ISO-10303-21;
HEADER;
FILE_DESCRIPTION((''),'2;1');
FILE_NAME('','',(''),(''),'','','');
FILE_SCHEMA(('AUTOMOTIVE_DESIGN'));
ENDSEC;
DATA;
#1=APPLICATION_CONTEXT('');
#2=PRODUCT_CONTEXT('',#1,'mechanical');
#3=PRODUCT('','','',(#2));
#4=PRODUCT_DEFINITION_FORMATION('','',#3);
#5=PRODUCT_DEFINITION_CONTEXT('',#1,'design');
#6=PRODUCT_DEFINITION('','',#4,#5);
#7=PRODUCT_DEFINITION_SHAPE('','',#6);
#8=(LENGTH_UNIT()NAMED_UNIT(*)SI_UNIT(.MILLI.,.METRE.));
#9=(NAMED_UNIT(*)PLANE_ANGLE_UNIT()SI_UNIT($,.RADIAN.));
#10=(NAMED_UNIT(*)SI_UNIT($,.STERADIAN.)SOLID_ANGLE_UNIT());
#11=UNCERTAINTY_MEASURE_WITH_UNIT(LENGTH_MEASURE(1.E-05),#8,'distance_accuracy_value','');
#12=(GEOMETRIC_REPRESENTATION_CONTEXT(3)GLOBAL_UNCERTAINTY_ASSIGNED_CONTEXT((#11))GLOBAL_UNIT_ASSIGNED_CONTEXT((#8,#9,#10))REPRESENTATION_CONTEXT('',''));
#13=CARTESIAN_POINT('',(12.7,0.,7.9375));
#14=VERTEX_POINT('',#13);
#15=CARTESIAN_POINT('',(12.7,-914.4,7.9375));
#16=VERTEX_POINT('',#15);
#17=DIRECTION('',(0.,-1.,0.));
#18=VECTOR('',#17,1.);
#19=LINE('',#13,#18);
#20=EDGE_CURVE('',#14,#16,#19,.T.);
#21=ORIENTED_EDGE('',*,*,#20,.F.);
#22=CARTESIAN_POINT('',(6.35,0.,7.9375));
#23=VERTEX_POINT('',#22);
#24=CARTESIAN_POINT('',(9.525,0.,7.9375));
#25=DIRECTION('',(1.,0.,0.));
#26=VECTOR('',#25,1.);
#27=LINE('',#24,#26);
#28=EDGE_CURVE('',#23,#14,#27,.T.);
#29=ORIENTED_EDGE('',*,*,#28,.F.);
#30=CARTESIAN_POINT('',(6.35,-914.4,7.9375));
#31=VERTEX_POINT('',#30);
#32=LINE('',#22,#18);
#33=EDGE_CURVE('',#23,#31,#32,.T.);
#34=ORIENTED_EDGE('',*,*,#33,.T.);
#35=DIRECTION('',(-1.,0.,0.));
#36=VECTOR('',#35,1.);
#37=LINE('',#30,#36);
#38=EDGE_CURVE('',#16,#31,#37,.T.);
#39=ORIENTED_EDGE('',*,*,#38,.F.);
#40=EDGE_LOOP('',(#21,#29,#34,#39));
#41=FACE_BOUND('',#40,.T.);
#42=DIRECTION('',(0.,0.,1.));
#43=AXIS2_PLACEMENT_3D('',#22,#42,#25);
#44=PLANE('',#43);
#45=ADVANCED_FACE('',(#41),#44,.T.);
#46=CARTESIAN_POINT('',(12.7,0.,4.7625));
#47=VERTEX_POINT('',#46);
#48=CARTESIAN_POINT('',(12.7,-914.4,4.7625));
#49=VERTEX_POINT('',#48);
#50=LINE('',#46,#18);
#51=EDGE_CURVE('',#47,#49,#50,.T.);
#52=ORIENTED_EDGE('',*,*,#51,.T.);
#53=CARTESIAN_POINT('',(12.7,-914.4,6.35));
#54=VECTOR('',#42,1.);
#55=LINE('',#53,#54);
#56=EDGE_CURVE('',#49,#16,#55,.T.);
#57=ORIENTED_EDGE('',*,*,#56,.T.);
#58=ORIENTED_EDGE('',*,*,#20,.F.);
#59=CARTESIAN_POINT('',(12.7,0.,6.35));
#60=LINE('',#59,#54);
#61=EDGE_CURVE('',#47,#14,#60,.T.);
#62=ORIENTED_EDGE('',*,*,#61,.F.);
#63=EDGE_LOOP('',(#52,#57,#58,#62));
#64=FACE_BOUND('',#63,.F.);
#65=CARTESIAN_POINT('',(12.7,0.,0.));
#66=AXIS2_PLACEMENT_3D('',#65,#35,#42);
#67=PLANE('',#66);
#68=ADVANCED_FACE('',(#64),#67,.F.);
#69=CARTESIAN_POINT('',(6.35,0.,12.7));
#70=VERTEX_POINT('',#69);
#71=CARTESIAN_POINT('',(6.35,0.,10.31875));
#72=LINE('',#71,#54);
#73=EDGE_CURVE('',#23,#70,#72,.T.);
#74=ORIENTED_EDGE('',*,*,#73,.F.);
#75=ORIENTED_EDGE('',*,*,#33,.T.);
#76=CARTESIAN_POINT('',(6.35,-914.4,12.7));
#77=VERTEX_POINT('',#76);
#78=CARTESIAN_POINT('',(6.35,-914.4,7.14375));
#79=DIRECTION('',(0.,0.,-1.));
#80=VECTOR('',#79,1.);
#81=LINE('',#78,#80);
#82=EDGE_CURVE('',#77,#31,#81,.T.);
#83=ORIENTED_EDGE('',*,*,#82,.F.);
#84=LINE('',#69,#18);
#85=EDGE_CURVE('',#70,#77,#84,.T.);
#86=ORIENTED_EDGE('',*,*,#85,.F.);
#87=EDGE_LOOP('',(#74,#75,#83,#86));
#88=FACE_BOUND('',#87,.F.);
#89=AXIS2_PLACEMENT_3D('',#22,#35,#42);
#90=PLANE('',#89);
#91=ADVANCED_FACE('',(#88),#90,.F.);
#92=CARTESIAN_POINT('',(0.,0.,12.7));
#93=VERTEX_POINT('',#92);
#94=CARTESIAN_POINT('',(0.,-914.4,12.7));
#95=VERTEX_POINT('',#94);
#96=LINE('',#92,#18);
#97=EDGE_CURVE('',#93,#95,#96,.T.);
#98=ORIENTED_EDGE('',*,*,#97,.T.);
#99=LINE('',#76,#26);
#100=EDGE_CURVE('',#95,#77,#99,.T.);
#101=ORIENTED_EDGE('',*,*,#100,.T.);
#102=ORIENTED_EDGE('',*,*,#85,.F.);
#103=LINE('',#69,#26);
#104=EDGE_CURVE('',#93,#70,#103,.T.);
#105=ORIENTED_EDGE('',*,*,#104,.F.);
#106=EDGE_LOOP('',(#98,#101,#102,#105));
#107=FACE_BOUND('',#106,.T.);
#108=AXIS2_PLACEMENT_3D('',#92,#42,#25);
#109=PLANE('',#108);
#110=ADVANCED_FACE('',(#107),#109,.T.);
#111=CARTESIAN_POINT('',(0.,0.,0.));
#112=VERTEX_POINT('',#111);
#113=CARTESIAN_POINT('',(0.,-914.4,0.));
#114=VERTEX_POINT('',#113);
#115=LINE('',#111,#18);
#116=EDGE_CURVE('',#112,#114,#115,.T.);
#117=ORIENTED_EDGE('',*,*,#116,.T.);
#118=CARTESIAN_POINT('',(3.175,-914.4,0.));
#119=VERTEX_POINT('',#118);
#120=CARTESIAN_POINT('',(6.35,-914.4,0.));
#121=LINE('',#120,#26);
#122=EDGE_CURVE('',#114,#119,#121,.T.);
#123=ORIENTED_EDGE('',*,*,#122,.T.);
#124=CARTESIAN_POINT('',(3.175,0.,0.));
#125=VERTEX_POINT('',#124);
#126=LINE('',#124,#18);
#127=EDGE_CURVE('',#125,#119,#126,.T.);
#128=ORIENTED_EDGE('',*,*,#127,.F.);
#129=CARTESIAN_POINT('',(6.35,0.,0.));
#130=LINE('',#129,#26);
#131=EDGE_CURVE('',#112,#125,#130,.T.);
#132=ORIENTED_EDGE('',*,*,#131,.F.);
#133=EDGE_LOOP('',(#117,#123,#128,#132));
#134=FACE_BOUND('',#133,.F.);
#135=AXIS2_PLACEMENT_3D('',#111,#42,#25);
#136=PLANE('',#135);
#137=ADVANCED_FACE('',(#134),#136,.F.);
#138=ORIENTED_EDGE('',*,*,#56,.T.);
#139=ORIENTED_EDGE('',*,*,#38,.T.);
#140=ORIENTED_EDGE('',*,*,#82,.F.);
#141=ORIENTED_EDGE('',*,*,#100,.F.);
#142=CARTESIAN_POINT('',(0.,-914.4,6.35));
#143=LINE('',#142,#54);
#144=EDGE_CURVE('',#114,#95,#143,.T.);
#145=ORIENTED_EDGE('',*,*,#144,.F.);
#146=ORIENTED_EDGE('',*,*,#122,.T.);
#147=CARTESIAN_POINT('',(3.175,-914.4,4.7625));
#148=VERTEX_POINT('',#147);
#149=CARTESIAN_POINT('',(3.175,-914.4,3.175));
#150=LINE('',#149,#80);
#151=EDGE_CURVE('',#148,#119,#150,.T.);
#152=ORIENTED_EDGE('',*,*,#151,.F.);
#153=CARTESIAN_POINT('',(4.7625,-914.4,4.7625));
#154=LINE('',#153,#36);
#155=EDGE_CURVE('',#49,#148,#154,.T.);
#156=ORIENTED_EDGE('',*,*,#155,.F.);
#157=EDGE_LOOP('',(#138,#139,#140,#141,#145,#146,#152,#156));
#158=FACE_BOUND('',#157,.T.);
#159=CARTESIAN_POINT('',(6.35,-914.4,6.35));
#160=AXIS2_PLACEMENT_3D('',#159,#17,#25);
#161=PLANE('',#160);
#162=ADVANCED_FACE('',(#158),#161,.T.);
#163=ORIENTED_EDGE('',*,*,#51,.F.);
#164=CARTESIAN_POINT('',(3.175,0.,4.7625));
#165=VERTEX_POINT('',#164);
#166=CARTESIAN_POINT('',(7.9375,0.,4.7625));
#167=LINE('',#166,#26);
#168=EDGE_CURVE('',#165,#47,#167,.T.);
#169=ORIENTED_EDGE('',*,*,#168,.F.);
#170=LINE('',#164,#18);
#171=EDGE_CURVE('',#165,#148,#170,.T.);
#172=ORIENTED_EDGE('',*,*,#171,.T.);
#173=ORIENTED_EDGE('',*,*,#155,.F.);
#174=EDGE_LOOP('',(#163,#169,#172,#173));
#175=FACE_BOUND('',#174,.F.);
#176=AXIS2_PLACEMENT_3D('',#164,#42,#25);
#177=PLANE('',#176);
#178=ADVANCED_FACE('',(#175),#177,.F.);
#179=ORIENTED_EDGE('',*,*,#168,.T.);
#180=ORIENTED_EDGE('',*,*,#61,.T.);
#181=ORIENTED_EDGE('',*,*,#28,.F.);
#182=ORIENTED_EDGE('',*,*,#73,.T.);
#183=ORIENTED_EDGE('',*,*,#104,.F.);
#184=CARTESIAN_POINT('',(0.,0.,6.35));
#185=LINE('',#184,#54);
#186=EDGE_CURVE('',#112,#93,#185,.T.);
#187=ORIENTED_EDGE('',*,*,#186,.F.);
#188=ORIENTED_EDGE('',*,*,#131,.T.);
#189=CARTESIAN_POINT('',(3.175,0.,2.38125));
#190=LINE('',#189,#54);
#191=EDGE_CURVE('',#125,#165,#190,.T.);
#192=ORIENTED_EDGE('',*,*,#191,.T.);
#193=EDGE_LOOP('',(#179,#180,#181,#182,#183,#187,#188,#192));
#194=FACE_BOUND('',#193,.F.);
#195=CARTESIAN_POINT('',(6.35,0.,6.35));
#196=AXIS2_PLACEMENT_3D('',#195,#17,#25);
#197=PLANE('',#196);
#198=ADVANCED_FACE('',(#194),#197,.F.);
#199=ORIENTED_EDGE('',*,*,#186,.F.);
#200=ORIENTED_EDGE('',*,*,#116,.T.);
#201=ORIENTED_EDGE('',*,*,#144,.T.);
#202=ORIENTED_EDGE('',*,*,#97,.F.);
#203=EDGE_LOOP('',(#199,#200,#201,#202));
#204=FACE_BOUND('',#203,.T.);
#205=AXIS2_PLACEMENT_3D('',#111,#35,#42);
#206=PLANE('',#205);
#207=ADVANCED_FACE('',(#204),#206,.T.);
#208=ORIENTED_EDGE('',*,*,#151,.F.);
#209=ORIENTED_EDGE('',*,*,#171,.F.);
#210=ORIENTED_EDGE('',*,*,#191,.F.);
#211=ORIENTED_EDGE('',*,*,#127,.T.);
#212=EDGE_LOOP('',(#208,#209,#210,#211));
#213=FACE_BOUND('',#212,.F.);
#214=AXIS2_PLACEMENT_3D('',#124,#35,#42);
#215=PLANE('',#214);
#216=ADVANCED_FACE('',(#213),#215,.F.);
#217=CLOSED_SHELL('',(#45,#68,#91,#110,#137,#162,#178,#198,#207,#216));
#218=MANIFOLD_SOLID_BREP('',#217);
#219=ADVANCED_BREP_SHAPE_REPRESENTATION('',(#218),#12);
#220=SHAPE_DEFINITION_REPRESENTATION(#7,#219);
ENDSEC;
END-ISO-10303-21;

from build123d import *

# Parameters (mm, degrees)
F0_W     = 12.7
F0_H     = 12.7
F1_DEPTH = 914.4
F2_W     = 9.525
F2_H     = 4.7625
F3_DEPTH = 914.401
F4_W     = 6.35
F4_H     = 4.7625
F5_DEPTH = 914.401


with BuildPart() as f1:
    # F0 (on Front) → F1 (new body)
    with BuildSketch(Plane.XZ):
        with Locations((6.35, 6.35)):
            Rectangle(F0_W, F0_H)
    extrude(amount=F1_DEPTH)

    # F2 (on Front) → F3 (cut, through all)
    with BuildSketch(Plane.XZ):
        with Locations((7.9375, 2.38125)):
            Rectangle(F2_W, F2_H)
    extrude(amount=F3_DEPTH, mode=Mode.SUBTRACT)

    # F4 (on Front) → F5 (cut, through all)
    with BuildSketch(Plane.XZ):
        with Locations((9.525, 10.31875)):
            Rectangle(F4_W, F4_H)
    extrude(amount=F5_DEPTH, mode=Mode.SUBTRACT)


solid = f1.part
